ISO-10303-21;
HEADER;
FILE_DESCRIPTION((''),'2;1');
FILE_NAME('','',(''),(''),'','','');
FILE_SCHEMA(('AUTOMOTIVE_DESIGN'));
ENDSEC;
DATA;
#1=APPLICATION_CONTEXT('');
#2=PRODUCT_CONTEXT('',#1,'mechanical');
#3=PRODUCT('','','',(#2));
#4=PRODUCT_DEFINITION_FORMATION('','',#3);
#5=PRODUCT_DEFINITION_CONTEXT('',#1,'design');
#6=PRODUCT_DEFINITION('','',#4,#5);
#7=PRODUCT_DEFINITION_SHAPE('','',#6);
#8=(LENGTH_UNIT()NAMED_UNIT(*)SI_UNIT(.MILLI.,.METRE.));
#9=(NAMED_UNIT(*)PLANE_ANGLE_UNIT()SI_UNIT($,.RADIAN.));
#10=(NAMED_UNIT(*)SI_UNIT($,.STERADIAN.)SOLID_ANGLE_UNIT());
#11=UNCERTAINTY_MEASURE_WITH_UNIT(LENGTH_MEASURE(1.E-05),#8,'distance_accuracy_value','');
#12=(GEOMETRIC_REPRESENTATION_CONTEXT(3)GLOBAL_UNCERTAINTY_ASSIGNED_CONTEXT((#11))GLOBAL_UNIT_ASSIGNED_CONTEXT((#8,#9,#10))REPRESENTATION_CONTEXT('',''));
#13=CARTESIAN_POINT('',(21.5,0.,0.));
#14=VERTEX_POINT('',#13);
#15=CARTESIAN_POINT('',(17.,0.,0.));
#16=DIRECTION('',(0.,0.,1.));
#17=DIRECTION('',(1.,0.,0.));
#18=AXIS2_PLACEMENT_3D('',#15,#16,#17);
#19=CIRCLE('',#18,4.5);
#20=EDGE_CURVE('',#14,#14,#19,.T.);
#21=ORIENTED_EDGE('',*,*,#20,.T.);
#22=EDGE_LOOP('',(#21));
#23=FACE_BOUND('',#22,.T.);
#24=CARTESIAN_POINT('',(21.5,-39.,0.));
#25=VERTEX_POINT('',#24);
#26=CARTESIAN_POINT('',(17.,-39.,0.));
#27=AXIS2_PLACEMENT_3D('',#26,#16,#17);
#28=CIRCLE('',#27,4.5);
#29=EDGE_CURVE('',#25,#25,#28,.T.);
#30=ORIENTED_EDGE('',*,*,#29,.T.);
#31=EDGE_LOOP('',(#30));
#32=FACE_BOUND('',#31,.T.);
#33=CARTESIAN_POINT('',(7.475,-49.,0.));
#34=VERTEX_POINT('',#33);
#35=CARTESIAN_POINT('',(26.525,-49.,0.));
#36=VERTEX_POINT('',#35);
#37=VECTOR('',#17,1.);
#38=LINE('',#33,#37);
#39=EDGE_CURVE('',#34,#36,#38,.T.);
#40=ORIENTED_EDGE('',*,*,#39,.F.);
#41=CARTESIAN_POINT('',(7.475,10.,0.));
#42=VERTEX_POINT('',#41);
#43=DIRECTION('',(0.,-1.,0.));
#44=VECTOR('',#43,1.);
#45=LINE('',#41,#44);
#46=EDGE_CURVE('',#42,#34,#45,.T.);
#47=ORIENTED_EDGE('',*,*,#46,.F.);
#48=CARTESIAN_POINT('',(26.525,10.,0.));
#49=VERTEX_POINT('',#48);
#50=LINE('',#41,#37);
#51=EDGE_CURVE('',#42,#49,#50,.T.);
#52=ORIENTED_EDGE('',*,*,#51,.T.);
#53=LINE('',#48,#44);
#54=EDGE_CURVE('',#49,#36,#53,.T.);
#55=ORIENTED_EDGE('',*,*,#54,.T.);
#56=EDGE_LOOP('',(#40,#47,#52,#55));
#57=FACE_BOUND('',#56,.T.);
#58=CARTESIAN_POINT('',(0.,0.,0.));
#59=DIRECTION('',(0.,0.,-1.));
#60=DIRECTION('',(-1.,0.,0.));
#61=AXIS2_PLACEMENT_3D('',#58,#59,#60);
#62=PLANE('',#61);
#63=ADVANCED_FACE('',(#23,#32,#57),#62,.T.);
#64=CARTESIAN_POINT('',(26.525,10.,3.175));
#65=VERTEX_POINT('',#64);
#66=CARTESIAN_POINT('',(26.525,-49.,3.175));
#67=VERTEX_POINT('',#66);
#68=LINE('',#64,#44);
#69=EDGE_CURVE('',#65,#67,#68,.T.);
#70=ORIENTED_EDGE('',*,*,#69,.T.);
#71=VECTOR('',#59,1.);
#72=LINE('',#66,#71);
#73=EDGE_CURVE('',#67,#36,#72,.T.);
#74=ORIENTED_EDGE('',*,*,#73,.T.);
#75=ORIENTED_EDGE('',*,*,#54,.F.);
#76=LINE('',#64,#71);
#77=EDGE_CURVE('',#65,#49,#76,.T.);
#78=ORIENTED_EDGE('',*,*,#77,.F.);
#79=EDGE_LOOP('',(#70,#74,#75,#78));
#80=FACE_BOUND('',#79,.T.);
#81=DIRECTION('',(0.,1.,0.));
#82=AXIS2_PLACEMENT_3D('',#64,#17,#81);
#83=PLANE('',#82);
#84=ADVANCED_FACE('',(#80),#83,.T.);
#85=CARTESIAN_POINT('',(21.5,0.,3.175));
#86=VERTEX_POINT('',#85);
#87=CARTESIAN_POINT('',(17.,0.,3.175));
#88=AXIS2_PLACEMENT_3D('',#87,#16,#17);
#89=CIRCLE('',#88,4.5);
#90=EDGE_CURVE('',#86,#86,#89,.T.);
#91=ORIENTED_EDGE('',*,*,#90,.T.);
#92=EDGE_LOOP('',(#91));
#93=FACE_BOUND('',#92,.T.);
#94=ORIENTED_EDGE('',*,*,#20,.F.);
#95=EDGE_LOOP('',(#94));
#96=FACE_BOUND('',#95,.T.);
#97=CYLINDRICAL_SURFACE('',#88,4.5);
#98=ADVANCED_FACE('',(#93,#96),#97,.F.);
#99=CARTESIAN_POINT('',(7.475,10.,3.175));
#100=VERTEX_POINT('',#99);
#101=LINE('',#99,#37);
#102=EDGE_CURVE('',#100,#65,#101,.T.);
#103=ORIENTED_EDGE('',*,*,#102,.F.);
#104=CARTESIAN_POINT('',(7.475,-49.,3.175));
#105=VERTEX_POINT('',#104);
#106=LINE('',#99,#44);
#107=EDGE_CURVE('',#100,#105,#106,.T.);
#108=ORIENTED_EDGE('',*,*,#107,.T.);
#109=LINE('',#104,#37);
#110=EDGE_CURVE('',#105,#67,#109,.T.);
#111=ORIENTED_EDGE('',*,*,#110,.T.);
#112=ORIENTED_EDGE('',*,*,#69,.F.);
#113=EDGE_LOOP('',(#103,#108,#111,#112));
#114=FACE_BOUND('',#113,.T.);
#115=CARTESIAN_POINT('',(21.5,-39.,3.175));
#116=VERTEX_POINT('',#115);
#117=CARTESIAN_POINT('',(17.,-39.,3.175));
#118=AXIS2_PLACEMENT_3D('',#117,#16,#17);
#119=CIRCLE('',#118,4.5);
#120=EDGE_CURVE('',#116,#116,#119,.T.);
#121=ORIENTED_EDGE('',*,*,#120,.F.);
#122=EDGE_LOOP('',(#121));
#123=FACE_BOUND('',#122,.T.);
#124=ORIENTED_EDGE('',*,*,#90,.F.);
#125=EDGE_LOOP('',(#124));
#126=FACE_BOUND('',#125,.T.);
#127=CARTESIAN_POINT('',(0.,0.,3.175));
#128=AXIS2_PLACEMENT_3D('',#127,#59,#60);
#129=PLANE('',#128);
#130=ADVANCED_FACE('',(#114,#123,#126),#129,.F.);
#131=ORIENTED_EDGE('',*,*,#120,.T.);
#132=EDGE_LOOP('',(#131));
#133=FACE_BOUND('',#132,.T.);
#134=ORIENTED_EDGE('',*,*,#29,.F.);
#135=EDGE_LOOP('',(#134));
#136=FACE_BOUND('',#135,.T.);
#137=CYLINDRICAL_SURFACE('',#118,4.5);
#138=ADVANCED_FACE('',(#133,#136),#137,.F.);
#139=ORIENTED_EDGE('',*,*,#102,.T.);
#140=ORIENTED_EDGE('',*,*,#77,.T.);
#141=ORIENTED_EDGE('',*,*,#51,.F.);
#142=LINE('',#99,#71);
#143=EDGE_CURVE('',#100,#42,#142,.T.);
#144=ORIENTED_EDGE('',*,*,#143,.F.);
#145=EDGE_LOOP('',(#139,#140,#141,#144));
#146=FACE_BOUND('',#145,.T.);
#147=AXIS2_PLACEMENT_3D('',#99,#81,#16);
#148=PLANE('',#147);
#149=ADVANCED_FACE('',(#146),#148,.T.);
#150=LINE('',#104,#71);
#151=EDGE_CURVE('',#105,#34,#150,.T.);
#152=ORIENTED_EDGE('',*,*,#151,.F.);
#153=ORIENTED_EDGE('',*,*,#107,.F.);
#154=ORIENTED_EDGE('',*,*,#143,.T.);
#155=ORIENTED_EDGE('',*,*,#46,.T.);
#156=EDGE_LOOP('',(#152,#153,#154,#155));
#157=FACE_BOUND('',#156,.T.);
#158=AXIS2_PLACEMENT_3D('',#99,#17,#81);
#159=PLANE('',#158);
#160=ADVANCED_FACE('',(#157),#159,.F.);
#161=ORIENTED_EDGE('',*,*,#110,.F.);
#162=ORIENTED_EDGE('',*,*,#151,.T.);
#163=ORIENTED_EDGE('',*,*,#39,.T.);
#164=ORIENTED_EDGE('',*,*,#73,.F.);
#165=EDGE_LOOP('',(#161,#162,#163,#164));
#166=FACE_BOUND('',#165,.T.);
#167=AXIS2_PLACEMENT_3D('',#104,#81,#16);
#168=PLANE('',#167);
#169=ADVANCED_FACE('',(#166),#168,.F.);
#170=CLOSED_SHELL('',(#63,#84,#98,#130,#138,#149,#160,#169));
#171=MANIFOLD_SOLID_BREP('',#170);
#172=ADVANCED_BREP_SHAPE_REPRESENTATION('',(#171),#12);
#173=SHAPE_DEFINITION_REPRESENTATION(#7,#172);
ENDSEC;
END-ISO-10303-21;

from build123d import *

# Parameters (mm, degrees)
SKETCH1_W                                = 19.05
SKETCH1_H                                = 59
BOSS_EXTRUDE1_DEPTH                      = 3.175
CELL_MODULE_TERMINAL_M8_CLEARANCE_HOLE_D = 9


with BuildPart() as part:
    # Sketch1 → Boss-Extrude1 (new body)
    with BuildSketch(Plane.XY):
        with Locations((17, -19.5)):
            Rectangle(SKETCH1_W, SKETCH1_H)
    extrude(amount=BOSS_EXTRUDE1_DEPTH)

    # Cell Module Terminal M8 Clearance Hole (through all)
    with Locations(Plane.XY.offset(3.175)):
        with Locations((17, 0), (17, -39)):
            Hole(CELL_MODULE_TERMINAL_M8_CLEARANCE_HOLE_D / 2)


solid = part.part
